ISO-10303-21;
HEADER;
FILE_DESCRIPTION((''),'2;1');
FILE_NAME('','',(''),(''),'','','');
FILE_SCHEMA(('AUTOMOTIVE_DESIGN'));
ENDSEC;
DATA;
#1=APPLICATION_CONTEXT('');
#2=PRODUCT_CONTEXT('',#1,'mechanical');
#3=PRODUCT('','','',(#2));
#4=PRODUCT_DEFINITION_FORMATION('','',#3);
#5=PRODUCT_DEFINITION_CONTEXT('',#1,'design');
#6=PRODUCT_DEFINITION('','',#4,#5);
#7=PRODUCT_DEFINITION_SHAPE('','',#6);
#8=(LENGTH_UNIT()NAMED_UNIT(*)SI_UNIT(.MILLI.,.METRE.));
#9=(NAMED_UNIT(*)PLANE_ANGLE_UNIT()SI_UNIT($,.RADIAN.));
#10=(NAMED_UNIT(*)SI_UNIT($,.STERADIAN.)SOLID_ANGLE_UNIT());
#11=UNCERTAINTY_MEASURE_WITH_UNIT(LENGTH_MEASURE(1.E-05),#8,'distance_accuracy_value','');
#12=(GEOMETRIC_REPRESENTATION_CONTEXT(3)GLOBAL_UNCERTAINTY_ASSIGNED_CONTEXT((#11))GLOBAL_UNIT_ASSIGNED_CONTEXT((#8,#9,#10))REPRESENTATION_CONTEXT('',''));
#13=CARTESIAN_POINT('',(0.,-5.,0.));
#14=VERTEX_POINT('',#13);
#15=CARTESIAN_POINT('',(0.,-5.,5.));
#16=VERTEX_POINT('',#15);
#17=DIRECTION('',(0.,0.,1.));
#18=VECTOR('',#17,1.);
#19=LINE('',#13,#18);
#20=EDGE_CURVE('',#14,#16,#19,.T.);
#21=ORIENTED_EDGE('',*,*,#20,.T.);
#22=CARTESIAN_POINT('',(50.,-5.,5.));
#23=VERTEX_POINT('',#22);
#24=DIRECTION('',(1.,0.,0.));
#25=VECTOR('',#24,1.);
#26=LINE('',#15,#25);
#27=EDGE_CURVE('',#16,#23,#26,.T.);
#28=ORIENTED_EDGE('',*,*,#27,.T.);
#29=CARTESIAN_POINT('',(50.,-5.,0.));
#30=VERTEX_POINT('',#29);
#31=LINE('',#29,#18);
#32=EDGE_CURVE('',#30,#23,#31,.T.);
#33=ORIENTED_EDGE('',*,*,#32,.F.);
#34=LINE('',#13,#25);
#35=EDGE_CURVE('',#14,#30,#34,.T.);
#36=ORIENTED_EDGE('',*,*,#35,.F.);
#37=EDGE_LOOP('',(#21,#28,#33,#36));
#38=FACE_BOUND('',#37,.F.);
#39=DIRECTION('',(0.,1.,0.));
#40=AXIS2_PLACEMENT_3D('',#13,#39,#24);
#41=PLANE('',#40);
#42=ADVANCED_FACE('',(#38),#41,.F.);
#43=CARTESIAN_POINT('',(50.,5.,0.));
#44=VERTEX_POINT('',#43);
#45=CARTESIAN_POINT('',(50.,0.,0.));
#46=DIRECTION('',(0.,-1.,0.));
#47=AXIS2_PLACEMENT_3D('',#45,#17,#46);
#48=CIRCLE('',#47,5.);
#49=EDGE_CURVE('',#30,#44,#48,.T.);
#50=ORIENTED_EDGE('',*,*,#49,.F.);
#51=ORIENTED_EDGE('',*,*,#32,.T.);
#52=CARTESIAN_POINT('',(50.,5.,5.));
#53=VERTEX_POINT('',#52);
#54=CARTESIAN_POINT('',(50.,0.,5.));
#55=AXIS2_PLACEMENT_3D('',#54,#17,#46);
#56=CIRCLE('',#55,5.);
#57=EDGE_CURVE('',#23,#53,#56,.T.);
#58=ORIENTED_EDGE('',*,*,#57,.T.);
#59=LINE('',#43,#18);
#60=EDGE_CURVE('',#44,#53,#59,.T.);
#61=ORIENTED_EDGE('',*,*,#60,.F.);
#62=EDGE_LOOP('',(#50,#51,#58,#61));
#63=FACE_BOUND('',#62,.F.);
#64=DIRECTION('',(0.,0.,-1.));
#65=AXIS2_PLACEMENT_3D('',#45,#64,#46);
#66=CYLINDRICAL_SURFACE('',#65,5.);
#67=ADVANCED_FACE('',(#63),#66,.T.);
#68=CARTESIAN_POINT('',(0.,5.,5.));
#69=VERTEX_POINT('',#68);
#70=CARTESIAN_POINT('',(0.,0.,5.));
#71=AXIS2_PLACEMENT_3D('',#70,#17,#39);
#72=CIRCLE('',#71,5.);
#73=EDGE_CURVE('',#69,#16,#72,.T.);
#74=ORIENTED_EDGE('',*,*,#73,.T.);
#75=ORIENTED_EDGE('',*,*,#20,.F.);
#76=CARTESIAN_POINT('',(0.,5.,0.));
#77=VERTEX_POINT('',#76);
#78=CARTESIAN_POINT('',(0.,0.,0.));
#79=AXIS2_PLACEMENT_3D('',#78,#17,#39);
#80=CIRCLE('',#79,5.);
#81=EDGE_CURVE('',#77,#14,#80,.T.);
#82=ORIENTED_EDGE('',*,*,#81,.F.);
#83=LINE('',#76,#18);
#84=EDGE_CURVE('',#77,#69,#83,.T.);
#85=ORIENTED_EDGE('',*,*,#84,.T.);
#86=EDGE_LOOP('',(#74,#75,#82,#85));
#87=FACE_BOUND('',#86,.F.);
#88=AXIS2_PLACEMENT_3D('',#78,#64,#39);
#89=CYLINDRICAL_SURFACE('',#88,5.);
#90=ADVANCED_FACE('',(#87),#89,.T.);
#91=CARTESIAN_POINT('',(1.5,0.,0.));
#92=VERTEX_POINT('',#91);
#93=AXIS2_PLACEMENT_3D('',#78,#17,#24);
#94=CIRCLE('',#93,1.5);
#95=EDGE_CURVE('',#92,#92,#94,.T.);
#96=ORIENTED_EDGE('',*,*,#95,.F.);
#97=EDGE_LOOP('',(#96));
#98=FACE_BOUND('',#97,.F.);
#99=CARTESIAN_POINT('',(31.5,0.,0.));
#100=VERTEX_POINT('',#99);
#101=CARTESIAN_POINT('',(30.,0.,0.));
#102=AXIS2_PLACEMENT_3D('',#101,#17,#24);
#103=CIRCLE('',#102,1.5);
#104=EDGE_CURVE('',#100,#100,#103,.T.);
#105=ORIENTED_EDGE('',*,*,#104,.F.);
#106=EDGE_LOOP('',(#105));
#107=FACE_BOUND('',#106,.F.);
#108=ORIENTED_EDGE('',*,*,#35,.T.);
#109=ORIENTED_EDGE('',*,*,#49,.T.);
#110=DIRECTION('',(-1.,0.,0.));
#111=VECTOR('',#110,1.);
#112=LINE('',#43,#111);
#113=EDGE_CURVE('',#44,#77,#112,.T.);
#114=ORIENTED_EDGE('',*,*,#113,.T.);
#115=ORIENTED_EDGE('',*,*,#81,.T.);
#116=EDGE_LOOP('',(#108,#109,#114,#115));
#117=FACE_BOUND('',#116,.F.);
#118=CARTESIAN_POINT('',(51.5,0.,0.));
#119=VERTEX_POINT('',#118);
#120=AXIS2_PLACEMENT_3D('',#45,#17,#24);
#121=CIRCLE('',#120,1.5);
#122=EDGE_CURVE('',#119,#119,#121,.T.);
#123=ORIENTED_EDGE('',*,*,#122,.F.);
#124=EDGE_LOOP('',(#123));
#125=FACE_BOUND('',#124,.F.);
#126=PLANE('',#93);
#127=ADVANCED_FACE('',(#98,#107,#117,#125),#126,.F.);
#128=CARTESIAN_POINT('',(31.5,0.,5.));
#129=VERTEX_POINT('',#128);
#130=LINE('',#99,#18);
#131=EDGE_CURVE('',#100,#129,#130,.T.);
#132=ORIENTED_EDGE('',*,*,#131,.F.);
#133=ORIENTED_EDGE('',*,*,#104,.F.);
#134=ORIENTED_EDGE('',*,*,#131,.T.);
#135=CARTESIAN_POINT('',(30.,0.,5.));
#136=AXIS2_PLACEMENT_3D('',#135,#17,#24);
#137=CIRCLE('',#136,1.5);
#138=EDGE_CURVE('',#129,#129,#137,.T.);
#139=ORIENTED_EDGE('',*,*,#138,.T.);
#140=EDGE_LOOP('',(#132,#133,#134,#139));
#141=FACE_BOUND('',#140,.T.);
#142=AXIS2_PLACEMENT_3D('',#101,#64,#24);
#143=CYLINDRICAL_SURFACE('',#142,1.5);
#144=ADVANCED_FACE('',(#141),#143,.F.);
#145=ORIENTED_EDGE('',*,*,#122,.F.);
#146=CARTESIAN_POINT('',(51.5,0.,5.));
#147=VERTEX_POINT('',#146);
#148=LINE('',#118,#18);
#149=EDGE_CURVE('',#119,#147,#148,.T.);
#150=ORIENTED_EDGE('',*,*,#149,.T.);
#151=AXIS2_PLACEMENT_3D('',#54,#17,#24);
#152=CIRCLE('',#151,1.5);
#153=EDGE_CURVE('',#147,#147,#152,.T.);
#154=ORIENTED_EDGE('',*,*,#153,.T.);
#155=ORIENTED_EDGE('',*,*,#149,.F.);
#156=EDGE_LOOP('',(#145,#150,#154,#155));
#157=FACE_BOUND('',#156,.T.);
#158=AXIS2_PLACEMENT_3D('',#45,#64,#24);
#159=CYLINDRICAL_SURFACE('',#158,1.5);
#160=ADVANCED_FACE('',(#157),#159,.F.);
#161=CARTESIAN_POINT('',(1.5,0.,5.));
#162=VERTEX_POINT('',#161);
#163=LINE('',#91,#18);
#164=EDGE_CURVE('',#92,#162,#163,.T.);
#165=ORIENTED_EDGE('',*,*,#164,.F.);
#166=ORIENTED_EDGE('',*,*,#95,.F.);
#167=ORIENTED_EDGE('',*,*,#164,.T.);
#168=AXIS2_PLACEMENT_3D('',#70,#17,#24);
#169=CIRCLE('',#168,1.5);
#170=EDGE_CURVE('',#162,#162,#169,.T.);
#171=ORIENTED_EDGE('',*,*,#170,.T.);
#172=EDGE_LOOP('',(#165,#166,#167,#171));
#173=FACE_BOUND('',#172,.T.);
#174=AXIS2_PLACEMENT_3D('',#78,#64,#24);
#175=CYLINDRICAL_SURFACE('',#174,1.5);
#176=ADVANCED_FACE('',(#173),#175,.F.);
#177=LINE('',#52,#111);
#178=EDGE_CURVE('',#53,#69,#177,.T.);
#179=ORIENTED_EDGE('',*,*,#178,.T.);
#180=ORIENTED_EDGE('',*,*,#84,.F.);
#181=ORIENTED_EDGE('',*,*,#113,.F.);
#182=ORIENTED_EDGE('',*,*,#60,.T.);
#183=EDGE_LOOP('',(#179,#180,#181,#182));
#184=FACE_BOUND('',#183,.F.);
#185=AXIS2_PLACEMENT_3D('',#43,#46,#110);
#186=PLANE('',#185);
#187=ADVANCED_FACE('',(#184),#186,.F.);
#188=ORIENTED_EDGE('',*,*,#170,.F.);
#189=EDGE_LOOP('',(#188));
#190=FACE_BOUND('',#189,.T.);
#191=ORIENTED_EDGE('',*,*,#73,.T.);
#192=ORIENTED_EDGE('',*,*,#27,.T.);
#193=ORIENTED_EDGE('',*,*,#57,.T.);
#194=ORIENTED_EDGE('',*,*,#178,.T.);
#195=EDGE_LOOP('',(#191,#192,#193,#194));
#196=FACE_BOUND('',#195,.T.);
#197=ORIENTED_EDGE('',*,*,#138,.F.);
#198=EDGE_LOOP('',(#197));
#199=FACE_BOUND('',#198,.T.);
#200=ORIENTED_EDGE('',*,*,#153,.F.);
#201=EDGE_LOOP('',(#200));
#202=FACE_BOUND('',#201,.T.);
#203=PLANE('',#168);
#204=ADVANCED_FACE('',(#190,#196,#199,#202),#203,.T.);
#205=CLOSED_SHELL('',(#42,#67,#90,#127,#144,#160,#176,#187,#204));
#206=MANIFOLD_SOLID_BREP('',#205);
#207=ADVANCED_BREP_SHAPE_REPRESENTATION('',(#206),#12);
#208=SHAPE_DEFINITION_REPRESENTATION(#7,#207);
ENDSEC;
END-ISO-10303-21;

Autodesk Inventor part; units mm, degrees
ref_plane "YZ Plane" through (0, 0, 0) normal (1, 0, 0) x (0, 1, 0)
ref_plane "XZ Plane" through (0, 0, 0) normal (0, 1, 0) x (-1, 0, 0)
ref_plane "XY Plane" through (0, 0, 0) normal (0, 0, 1) x (1, 0, 0)
sketch "Sketch1" plane through (0, 0, 0) normal (0, 0, 1) x (1, 0, 0)
  line L0 (0, 0) -> (50, 0) construction
  line L1 (0, -5) -> (50, -5)
  line L2 (50, 5) -> (0, 5)
  arc A0 (0, 5) -> (0, -5) centre (0, 0) ccw
  arc A1 (50, -5) -> (50, 5) centre (50, 0) ccw
  line L3 (0, 0) -> (50, 0) construction
  circle A2 centre (0, 0) radius 1.5
  circle A3 centre (50, 0) radius 1.5
  circle A4 centre (30, 0) radius 1.5
  point P0 (25, 0)
  dimension "d0" = 50
  dimension "d1" = 0
  dimension "d2" = 10
  dimension "d3" = 3
  dimension "d4" = 3
  dimension "d5" = 3
  dimension "d6" = 20
extrude "Extrusion1" add sketch "Sketch1" along normal blind 5
sketch "Sketch2" plane through (0, 0, 5) normal (0, 0, 1) x (1, 0, 0)
  arc A0 (50, -5) -> (50, 5) centre (50, 0) ccw projected
  line L0 (50, 5) -> (0, 5) projected
  arc A1 (0, 5) -> (0, -5) centre (0, 0) ccw projected
  line L1 (0, -5) -> (50, -5) projected
  circle A2 centre (30, 0) radius 1.5 projected
  circle A3 centre (50, 0) radius 1.5 projected
  circle A4 centre (0, 0) radius 1.5 projected
properties part number "Arm3_3D" material "Aluminum 6061, Welded"
